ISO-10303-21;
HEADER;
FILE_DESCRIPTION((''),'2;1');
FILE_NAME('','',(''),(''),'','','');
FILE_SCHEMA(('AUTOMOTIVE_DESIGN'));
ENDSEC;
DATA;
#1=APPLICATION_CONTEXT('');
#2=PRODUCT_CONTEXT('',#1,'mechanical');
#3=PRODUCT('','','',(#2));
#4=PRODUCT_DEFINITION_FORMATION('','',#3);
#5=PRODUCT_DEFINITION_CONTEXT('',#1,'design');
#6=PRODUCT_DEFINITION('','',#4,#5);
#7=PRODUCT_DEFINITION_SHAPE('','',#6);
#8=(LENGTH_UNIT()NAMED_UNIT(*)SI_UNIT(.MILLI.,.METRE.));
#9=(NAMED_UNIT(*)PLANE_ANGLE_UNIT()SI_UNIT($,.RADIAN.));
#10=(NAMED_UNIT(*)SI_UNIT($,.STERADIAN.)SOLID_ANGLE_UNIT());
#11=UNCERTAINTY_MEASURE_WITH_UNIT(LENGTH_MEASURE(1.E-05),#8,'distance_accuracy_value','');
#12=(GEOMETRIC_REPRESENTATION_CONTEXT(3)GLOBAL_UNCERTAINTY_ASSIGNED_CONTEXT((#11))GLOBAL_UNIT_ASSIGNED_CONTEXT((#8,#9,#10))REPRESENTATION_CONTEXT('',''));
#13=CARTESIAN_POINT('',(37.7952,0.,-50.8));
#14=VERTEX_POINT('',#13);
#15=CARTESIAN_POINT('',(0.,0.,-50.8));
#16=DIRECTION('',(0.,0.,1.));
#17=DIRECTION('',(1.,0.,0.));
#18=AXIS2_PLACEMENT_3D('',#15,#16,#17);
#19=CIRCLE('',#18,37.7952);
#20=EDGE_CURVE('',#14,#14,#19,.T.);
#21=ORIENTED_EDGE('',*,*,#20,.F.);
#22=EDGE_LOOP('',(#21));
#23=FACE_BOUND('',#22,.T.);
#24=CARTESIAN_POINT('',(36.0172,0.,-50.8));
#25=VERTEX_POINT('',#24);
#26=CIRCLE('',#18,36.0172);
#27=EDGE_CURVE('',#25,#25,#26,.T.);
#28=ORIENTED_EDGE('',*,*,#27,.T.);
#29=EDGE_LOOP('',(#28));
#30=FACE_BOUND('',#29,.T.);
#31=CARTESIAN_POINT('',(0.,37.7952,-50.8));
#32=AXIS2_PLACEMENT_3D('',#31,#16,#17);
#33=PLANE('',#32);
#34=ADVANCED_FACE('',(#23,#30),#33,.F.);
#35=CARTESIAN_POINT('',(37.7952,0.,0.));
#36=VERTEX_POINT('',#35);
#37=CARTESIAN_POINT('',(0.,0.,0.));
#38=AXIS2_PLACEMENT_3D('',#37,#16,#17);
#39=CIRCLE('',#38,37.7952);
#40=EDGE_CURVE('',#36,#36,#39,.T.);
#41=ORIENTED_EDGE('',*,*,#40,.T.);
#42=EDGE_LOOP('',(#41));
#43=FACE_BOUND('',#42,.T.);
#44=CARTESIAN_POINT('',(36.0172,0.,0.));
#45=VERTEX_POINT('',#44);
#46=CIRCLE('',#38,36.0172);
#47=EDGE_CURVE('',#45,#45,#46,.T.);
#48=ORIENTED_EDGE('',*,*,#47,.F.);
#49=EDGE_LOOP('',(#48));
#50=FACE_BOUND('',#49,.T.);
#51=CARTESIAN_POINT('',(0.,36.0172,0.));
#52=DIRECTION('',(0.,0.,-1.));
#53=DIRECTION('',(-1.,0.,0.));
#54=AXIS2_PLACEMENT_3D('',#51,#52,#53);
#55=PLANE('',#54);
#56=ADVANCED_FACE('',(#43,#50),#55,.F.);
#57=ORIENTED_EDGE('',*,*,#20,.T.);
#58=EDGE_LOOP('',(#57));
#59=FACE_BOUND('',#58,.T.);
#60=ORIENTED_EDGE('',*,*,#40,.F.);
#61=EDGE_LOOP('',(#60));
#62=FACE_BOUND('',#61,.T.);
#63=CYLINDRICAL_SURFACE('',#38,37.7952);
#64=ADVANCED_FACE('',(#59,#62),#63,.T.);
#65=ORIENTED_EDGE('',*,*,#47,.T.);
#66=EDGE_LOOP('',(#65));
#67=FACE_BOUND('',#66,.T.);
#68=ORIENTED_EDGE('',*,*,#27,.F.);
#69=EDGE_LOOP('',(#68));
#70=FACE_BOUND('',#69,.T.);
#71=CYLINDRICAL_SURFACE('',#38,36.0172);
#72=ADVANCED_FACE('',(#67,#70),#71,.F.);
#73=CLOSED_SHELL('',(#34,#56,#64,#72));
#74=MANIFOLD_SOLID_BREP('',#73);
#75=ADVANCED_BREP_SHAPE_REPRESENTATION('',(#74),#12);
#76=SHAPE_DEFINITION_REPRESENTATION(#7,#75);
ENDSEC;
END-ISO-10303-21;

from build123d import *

# Parameters (mm, degrees)
SKETCH4_W = 50.8
SKETCH4_H = 1.778


with BuildPart() as part:
    # Sketch4 → Revolve1 (revolve)
    with BuildSketch(Plane(origin=(0, 0, 0), x_dir=(0, 0, -1), z_dir=(1, 0, 0)), mode=Mode.PRIVATE) as revolve1_sk:
        with Locations((25.4, 36.9062)):
            Rectangle(SKETCH4_W, SKETCH4_H)
    revolve(revolve1_sk.sketch.rotate(Axis((0, 0, 0), (0, 0, -1)), 90), axis=Axis((0, 0, 0), (0, 0, -1)))


solid = part.part
